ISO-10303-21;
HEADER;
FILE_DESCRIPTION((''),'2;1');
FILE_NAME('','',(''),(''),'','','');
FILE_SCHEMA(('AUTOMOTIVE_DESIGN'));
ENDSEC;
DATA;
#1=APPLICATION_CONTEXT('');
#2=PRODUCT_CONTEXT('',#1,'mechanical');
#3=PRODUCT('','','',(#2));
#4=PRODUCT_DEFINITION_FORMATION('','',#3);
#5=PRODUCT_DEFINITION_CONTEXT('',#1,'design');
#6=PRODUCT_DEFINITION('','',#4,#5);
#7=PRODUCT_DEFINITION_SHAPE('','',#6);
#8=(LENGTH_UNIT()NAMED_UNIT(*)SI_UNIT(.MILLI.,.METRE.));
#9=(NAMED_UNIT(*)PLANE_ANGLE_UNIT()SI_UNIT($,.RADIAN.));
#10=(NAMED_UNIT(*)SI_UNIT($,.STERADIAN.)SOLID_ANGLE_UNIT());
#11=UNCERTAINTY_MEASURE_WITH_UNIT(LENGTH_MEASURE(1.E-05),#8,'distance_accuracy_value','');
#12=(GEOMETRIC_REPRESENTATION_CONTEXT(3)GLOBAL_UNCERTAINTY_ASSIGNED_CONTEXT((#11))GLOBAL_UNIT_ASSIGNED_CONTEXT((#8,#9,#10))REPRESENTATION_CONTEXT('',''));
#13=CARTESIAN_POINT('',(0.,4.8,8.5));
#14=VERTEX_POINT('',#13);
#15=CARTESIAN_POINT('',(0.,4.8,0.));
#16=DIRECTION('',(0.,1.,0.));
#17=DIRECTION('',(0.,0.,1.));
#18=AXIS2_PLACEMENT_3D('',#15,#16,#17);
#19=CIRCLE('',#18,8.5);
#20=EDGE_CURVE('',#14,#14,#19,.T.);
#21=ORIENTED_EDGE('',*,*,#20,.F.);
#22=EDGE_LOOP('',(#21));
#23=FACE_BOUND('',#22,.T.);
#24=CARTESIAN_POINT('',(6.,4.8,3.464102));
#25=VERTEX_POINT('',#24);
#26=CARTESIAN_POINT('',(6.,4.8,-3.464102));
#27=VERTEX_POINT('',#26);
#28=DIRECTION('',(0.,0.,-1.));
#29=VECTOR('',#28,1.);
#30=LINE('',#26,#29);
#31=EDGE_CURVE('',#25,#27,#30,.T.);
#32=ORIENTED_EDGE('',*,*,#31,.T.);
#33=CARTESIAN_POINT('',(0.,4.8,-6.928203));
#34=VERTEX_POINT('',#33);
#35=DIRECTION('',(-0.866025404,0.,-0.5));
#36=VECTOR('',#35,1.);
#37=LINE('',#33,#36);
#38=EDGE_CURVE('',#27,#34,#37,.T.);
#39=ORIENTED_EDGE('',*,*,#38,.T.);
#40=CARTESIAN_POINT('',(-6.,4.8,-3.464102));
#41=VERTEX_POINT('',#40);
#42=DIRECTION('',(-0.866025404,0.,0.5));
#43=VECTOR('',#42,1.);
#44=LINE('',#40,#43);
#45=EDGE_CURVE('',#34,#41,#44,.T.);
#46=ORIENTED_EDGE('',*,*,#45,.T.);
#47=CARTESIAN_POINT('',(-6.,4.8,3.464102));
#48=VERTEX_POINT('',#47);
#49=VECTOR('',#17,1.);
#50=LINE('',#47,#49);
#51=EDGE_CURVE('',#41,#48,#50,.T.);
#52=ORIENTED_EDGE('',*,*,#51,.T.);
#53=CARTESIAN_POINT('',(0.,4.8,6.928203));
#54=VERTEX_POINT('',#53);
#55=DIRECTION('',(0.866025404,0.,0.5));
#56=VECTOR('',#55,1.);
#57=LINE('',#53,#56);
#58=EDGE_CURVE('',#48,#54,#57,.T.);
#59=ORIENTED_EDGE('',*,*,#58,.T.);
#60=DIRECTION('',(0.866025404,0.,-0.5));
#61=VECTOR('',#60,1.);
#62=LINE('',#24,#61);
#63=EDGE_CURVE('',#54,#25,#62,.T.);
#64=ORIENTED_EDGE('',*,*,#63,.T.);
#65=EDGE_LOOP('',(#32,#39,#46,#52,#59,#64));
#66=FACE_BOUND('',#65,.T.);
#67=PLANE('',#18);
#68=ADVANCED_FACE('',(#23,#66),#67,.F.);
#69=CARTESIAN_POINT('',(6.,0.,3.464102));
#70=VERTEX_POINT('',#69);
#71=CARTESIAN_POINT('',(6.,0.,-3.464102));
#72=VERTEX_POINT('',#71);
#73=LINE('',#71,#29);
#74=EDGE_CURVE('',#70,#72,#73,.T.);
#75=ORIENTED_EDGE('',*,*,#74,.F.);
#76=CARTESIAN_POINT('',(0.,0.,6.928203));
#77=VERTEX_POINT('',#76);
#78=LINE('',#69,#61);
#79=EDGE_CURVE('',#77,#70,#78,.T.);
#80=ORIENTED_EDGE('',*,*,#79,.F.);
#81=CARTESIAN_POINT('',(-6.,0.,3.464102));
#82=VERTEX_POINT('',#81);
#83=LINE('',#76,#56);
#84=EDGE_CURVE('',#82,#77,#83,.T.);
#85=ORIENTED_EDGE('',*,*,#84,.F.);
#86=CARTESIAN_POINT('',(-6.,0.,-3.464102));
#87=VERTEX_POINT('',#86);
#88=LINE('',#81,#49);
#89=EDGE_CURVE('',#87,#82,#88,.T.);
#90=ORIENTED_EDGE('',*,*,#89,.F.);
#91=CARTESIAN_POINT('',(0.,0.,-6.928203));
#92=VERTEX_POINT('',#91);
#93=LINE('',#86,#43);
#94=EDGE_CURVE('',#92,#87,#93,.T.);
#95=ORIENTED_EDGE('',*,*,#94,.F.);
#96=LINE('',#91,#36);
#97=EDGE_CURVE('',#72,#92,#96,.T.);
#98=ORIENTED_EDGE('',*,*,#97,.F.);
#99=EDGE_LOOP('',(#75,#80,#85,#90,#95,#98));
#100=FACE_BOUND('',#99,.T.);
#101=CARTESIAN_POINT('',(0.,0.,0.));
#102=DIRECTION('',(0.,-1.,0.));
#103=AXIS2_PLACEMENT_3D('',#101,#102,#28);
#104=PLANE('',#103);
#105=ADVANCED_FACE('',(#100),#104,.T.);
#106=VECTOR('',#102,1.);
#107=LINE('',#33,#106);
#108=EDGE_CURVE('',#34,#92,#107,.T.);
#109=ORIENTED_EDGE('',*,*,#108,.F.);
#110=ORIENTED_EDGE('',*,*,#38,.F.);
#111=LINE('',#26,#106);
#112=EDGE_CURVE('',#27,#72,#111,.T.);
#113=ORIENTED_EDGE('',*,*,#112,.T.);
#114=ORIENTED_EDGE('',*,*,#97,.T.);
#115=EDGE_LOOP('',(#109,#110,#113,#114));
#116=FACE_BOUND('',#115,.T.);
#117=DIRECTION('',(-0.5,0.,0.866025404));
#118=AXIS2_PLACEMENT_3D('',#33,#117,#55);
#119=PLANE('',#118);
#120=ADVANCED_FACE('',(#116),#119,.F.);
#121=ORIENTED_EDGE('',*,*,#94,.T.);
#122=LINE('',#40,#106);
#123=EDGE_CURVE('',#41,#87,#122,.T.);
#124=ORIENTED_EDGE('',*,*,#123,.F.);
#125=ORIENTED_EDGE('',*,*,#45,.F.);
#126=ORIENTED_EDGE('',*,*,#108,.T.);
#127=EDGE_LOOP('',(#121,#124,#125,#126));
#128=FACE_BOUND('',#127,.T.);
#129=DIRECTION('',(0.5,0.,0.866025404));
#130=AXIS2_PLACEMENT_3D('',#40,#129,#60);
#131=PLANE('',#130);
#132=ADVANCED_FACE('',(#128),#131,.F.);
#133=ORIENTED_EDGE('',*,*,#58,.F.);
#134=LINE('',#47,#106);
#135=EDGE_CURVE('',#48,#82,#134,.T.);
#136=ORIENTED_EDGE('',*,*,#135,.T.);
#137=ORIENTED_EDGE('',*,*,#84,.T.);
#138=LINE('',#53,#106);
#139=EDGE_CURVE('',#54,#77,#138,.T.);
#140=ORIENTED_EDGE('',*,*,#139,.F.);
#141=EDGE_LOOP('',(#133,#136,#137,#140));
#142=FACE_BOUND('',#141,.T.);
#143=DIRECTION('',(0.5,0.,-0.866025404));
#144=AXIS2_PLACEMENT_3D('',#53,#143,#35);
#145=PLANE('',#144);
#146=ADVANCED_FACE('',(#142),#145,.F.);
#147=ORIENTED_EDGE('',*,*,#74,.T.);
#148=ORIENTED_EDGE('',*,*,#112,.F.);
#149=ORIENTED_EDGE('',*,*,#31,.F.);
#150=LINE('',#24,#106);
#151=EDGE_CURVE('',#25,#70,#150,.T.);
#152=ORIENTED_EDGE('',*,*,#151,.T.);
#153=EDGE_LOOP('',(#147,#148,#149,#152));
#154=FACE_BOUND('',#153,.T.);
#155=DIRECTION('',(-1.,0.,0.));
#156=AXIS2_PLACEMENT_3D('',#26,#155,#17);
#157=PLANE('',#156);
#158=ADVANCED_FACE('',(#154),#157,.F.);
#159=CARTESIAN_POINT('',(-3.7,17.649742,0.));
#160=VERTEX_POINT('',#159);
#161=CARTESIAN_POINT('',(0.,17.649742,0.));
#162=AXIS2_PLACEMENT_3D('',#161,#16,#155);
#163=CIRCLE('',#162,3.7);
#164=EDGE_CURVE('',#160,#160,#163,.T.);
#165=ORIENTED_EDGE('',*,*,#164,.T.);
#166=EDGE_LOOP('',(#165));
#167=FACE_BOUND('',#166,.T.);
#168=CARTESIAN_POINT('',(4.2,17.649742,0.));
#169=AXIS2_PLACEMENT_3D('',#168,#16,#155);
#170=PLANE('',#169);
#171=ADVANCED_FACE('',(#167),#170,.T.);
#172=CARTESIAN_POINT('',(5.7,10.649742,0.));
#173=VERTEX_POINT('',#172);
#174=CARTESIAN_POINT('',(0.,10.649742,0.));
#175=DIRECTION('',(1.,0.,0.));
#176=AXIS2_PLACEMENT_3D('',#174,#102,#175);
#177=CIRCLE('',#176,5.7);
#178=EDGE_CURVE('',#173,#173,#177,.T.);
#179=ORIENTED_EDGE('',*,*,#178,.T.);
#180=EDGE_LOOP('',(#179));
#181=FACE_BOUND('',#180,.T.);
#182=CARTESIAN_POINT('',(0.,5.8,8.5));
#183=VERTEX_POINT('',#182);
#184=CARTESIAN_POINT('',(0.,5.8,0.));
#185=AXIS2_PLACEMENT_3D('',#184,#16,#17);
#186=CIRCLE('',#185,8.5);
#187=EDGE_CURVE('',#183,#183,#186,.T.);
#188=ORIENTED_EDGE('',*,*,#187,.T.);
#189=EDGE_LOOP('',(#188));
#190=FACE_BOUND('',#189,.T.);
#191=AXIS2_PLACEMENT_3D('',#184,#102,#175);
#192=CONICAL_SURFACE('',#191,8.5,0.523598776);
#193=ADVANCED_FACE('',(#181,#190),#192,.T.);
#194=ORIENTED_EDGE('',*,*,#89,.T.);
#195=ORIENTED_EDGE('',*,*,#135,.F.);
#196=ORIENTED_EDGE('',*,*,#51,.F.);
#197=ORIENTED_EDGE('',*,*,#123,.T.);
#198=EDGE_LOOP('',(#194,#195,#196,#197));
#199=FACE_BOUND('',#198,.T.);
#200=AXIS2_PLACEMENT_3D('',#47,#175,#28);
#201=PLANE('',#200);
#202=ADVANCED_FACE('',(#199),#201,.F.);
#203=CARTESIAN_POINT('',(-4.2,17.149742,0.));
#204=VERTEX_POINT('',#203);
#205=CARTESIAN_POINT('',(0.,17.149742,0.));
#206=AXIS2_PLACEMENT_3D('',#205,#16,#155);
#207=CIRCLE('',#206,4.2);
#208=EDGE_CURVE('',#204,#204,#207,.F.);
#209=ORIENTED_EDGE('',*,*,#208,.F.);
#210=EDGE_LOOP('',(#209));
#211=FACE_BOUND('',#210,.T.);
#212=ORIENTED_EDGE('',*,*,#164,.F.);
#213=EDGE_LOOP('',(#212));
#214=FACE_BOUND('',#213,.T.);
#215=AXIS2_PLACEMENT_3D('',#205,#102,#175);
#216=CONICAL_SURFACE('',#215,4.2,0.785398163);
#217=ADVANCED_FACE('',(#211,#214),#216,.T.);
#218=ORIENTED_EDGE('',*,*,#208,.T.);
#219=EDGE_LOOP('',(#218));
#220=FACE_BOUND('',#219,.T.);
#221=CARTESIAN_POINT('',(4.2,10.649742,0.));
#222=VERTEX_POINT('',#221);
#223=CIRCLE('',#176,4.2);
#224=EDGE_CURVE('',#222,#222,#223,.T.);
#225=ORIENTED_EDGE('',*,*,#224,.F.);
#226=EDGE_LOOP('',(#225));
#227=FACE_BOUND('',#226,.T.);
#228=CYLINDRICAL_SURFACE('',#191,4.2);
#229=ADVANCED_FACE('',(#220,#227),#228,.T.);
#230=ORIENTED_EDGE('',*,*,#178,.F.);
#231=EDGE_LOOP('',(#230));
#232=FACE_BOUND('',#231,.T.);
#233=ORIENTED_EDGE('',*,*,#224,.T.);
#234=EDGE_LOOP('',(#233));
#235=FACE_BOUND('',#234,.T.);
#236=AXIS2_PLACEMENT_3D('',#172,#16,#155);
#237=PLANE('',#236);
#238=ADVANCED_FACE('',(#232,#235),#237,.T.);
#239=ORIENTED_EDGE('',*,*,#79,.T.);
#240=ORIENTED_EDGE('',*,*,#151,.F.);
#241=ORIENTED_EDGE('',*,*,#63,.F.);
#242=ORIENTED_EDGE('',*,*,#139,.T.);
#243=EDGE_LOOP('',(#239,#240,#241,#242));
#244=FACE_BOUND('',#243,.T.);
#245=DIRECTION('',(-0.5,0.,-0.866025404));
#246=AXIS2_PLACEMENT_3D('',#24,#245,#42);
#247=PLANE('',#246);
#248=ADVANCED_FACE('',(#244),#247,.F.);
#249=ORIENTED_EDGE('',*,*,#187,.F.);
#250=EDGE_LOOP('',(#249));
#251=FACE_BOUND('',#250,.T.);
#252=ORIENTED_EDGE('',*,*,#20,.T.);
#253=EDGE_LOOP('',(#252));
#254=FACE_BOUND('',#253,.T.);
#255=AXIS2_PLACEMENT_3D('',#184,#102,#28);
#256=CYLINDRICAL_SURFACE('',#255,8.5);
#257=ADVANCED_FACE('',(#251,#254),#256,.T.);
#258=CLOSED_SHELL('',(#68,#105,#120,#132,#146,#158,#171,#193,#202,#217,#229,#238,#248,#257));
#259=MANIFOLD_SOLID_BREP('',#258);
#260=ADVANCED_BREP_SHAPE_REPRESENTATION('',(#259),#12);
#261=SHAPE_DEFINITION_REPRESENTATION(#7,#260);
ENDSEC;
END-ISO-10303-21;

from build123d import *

# Parameters (mm, degrees)
BOSS_EXTRUDE1_DEPTH = 4.8
SKETCH2_R           = 8.5
BOSS_EXTRUDE2_DEPTH = 1
CHAMFER1_SIZE       = 0.5


with BuildPart() as part:
    # Sketch1 → Boss-Extrude1 (new body)
    with BuildSketch(Plane(origin=(0, 0, 0), x_dir=(1, 0, 0), z_dir=(0, 1, 0))):
        Polygon((0, 6.92820323), (6, 3.464101615), (6, -3.464101615), (0, -6.92820323), (-6, -3.464101615), (-6, 3.464101615), align=None)
    extrude(amount=BOSS_EXTRUDE1_DEPTH)

    # Sketch2 → Boss-Extrude2 (add)
    with BuildSketch(Plane(origin=(0, 4.8, 0), x_dir=(1, 0, 0), z_dir=(0, 1, 0))):
        with Locations(Location((0, 0, 0), (0, 0, 270))):
            Circle(SKETCH2_R)
    extrude(amount=BOSS_EXTRUDE2_DEPTH)

    # Sketch3 → Revolve1 (revolve)
    with BuildSketch(Plane.XY):
        Polygon((0, 5.8), (8.5, 5.8), (5.7, 10.649742261), (4.2, 10.649742261), (4.2, 17.649742261), (0, 17.649742261), align=None)
    revolve(axis=Axis((0, 5.8, 0), (0, 1, 0)))

    # Chamfer1
    chamfer1_edges = [part.edges().sort_by_distance(p)[0] for p in [
        (-4.2, 17.649742261, 0),
    ]]
    chamfer(chamfer1_edges, length=CHAMFER1_SIZE)


solid = part.part
